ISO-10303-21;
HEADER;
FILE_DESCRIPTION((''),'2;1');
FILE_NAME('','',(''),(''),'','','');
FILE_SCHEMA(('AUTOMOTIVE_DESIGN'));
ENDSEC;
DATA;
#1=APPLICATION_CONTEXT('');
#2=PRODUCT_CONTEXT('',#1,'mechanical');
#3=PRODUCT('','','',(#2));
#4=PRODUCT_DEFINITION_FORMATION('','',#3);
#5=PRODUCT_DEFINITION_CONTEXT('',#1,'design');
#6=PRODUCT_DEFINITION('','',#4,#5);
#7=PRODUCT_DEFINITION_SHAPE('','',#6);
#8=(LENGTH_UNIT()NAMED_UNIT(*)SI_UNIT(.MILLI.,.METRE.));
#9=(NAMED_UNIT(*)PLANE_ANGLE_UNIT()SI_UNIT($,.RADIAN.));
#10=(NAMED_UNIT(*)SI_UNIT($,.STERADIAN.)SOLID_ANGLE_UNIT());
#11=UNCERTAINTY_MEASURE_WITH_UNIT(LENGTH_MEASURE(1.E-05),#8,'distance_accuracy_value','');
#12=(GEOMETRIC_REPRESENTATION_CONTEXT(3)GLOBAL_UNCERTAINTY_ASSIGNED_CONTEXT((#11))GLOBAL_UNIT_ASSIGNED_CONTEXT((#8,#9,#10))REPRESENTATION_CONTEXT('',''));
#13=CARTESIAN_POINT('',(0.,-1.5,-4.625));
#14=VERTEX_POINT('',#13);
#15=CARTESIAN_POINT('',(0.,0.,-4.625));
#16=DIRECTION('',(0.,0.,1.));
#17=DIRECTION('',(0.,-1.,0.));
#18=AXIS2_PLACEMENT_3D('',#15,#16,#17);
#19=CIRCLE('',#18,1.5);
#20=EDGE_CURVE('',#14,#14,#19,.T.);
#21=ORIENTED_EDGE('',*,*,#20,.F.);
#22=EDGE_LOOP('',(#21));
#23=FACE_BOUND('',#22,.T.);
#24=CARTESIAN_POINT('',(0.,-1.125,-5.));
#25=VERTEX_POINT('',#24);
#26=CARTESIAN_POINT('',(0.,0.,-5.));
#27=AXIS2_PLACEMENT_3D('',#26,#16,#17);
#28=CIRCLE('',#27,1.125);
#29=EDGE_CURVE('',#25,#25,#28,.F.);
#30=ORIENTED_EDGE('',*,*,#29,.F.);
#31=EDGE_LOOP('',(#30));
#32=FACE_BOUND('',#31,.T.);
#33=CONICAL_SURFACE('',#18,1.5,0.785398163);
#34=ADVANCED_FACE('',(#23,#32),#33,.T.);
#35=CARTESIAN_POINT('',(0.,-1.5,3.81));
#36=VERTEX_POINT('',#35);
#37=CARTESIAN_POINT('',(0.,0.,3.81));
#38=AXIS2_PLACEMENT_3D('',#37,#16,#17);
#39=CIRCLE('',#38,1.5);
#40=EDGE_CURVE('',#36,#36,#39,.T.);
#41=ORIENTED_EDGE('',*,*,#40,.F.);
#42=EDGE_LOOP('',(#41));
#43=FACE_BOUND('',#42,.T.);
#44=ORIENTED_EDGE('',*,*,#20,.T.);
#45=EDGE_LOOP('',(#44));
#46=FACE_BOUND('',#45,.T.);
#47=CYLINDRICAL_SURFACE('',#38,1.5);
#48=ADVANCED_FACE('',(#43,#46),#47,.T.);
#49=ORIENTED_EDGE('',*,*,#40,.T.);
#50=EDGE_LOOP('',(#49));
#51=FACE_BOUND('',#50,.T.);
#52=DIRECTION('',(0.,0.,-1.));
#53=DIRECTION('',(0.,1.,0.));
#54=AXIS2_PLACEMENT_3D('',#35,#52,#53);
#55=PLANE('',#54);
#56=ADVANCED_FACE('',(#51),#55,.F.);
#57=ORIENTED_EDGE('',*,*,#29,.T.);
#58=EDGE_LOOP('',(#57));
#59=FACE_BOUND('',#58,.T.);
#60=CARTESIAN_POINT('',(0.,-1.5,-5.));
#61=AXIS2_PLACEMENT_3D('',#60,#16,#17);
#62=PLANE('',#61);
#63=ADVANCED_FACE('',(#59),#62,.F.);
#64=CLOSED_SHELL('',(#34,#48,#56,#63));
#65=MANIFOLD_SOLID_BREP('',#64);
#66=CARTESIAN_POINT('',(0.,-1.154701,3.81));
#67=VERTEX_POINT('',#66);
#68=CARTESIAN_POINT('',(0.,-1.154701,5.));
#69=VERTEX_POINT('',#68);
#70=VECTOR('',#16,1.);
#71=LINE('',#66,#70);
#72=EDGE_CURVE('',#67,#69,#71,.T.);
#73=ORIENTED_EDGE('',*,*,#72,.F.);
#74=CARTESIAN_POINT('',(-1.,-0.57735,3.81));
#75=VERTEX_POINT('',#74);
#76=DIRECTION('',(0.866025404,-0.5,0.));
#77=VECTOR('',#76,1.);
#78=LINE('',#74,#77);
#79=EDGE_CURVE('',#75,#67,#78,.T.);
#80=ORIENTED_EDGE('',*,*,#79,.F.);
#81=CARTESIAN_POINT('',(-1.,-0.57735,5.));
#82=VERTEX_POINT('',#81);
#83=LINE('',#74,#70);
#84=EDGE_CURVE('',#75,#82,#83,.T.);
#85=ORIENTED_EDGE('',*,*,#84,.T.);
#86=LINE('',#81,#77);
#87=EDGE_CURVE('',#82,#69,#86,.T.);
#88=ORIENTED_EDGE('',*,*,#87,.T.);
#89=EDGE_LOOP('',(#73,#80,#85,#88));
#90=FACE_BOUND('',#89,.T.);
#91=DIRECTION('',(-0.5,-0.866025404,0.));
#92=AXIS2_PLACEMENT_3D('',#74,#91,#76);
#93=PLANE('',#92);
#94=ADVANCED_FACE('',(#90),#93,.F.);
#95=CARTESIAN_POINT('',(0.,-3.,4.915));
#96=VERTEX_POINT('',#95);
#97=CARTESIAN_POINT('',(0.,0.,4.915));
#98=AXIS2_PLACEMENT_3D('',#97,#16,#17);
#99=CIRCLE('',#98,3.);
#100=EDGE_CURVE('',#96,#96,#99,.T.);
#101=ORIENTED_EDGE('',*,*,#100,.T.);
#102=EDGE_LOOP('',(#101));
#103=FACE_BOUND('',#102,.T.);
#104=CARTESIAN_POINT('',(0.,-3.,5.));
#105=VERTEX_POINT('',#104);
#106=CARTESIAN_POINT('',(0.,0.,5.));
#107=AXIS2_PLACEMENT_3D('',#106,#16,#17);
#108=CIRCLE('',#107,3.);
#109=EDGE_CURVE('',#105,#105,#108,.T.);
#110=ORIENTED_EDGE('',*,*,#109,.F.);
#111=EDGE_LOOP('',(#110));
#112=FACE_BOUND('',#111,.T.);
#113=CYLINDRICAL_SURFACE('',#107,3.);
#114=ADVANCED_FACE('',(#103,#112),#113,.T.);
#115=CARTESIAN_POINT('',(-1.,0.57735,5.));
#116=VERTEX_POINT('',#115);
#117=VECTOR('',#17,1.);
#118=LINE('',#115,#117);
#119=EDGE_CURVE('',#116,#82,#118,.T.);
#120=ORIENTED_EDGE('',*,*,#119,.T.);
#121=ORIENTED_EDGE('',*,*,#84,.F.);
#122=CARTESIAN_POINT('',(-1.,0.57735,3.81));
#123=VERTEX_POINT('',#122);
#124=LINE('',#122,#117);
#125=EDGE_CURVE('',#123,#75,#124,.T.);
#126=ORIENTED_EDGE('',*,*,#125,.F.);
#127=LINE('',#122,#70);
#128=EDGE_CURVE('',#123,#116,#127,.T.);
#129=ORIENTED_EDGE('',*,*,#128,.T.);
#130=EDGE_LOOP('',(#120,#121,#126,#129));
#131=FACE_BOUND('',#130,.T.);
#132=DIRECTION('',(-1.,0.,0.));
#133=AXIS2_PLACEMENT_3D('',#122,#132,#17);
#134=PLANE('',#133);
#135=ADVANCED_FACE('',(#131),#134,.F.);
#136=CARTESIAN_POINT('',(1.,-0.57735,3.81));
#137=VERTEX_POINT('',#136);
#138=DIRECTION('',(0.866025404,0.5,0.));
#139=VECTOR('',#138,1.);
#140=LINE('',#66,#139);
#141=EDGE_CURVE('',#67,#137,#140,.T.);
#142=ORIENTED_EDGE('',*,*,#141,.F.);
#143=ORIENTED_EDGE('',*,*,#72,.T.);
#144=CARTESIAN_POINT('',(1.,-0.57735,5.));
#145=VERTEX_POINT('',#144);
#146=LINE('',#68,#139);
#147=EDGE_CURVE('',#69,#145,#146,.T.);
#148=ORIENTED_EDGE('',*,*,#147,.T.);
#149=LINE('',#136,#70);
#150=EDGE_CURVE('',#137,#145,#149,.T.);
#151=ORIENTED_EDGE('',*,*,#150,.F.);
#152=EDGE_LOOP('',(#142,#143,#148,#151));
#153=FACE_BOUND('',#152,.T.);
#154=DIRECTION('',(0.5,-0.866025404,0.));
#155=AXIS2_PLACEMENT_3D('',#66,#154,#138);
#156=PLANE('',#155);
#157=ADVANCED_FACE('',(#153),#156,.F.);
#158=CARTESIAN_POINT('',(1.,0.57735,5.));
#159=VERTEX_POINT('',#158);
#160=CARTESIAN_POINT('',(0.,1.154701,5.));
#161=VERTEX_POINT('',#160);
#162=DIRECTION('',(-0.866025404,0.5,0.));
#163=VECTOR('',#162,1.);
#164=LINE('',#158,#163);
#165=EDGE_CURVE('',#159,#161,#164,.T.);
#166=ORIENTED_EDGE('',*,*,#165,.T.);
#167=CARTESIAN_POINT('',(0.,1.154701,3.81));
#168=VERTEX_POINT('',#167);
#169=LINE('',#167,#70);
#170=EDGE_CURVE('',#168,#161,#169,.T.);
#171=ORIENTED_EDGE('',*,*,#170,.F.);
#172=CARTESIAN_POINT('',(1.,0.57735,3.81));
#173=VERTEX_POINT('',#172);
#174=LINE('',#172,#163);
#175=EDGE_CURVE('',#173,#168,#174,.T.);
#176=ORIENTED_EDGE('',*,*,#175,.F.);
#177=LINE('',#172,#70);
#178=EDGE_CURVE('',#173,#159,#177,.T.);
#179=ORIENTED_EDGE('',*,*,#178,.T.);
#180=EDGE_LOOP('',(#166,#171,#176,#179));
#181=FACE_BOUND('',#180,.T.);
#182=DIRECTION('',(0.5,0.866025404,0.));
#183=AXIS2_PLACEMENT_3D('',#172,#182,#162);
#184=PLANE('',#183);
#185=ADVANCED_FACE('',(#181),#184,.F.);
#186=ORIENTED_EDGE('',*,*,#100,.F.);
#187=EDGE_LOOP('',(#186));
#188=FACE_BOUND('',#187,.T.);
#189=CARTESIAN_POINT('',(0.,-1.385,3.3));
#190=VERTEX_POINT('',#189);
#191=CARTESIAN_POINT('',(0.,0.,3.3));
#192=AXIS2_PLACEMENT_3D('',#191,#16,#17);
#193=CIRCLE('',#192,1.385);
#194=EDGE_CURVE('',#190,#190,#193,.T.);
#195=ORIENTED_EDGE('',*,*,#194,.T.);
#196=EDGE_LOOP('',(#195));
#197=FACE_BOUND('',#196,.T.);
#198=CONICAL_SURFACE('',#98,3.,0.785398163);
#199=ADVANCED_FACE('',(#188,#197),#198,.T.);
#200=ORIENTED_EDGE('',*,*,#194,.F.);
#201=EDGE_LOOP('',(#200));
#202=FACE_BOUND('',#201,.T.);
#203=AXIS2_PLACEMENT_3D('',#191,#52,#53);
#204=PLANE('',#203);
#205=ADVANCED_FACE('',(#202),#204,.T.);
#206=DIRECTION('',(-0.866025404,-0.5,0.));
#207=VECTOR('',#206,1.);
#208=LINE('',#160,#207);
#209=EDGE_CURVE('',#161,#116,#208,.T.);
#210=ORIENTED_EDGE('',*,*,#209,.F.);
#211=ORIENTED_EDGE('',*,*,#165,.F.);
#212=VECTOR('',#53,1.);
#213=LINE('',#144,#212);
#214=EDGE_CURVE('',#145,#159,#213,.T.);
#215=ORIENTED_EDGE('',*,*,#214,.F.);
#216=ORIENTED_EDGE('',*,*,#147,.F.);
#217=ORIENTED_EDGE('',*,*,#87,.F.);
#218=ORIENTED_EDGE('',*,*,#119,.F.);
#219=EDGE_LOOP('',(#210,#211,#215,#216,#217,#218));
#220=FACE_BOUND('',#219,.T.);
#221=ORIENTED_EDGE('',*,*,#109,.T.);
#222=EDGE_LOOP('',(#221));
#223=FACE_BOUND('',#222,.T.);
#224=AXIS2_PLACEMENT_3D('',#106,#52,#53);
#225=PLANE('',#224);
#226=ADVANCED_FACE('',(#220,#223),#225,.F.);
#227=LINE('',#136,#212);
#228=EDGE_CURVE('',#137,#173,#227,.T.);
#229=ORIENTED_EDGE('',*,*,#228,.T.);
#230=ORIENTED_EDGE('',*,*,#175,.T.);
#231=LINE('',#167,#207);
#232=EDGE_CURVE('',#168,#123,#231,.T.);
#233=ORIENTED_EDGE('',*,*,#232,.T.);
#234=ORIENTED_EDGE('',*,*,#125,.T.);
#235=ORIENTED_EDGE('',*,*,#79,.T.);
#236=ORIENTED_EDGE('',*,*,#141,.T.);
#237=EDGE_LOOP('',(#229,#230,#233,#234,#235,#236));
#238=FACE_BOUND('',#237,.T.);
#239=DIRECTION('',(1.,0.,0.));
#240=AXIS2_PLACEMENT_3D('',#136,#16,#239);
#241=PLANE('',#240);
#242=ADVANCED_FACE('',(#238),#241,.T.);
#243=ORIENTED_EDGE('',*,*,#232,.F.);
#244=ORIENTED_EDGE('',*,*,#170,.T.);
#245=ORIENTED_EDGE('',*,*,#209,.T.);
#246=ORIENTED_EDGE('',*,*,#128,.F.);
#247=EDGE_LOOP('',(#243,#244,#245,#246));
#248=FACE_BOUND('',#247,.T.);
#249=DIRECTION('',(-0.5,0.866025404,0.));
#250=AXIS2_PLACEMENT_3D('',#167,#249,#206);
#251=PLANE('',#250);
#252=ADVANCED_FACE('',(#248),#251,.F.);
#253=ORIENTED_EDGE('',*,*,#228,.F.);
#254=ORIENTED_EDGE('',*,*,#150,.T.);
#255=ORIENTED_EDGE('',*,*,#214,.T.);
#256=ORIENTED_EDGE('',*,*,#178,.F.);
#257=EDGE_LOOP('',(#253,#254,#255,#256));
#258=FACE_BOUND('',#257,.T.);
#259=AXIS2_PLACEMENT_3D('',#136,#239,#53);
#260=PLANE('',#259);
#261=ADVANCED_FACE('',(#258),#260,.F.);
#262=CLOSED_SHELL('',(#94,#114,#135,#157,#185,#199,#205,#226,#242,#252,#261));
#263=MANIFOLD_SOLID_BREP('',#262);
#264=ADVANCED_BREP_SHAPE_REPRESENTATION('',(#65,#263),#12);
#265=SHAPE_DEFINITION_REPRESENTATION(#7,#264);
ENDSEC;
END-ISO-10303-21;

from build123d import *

# Parameters (mm, degrees)
CHAMFER1_SIZE      = 0.375
CUT_EXTRUDE2_DEPTH = 1.19


with BuildPart() as part:
    # Sketch1 → Revolve1 (revolve)
    with BuildSketch(Plane(origin=(0, 0, 0), x_dir=(0, 0, -1), z_dir=(1, 0, 0))):
        Polygon((-3.3, 1.5), (5, 1.5), (5, 0), (-3.81, 0), (-3.81, 1.5), align=None)
    revolve(axis=Axis((0, 0, 3.81), (0, 0, -1)))

    # Chamfer1
    chamfer1_edges = [part.edges().sort_by_distance(p)[0] for p in [
        (0, -1.5, -5),
    ]]
    chamfer(chamfer1_edges, length=CHAMFER1_SIZE)


with BuildPart() as body_2:
    # Sketch7 → Revolve2 (revolve)
    with BuildSketch(Plane(origin=(0, 0, 0), x_dir=(0, 0, -1), z_dir=(1, 0, 0))):
        Polygon((-4.915, 3), (-5, 3), (-5, 0), (-3.3, 0), (-3.3, 1.385), align=None)
    revolve(axis=Axis((0, 0, 5), (0, 0, -1)))

    # Sketch5 → Cut-Extrude2 (cut)
    with BuildSketch(Plane.XY.offset(5)):
        Polygon((1, -0.577350269), (1, 0.577350269), (0, 1.154700538), (-1, 0.577350269), (-1, -0.577350269), (0, -1.154700538), align=None)
    extrude(amount=-CUT_EXTRUDE2_DEPTH, mode=Mode.SUBTRACT)


solid = Compound([part.part, body_2.part])
